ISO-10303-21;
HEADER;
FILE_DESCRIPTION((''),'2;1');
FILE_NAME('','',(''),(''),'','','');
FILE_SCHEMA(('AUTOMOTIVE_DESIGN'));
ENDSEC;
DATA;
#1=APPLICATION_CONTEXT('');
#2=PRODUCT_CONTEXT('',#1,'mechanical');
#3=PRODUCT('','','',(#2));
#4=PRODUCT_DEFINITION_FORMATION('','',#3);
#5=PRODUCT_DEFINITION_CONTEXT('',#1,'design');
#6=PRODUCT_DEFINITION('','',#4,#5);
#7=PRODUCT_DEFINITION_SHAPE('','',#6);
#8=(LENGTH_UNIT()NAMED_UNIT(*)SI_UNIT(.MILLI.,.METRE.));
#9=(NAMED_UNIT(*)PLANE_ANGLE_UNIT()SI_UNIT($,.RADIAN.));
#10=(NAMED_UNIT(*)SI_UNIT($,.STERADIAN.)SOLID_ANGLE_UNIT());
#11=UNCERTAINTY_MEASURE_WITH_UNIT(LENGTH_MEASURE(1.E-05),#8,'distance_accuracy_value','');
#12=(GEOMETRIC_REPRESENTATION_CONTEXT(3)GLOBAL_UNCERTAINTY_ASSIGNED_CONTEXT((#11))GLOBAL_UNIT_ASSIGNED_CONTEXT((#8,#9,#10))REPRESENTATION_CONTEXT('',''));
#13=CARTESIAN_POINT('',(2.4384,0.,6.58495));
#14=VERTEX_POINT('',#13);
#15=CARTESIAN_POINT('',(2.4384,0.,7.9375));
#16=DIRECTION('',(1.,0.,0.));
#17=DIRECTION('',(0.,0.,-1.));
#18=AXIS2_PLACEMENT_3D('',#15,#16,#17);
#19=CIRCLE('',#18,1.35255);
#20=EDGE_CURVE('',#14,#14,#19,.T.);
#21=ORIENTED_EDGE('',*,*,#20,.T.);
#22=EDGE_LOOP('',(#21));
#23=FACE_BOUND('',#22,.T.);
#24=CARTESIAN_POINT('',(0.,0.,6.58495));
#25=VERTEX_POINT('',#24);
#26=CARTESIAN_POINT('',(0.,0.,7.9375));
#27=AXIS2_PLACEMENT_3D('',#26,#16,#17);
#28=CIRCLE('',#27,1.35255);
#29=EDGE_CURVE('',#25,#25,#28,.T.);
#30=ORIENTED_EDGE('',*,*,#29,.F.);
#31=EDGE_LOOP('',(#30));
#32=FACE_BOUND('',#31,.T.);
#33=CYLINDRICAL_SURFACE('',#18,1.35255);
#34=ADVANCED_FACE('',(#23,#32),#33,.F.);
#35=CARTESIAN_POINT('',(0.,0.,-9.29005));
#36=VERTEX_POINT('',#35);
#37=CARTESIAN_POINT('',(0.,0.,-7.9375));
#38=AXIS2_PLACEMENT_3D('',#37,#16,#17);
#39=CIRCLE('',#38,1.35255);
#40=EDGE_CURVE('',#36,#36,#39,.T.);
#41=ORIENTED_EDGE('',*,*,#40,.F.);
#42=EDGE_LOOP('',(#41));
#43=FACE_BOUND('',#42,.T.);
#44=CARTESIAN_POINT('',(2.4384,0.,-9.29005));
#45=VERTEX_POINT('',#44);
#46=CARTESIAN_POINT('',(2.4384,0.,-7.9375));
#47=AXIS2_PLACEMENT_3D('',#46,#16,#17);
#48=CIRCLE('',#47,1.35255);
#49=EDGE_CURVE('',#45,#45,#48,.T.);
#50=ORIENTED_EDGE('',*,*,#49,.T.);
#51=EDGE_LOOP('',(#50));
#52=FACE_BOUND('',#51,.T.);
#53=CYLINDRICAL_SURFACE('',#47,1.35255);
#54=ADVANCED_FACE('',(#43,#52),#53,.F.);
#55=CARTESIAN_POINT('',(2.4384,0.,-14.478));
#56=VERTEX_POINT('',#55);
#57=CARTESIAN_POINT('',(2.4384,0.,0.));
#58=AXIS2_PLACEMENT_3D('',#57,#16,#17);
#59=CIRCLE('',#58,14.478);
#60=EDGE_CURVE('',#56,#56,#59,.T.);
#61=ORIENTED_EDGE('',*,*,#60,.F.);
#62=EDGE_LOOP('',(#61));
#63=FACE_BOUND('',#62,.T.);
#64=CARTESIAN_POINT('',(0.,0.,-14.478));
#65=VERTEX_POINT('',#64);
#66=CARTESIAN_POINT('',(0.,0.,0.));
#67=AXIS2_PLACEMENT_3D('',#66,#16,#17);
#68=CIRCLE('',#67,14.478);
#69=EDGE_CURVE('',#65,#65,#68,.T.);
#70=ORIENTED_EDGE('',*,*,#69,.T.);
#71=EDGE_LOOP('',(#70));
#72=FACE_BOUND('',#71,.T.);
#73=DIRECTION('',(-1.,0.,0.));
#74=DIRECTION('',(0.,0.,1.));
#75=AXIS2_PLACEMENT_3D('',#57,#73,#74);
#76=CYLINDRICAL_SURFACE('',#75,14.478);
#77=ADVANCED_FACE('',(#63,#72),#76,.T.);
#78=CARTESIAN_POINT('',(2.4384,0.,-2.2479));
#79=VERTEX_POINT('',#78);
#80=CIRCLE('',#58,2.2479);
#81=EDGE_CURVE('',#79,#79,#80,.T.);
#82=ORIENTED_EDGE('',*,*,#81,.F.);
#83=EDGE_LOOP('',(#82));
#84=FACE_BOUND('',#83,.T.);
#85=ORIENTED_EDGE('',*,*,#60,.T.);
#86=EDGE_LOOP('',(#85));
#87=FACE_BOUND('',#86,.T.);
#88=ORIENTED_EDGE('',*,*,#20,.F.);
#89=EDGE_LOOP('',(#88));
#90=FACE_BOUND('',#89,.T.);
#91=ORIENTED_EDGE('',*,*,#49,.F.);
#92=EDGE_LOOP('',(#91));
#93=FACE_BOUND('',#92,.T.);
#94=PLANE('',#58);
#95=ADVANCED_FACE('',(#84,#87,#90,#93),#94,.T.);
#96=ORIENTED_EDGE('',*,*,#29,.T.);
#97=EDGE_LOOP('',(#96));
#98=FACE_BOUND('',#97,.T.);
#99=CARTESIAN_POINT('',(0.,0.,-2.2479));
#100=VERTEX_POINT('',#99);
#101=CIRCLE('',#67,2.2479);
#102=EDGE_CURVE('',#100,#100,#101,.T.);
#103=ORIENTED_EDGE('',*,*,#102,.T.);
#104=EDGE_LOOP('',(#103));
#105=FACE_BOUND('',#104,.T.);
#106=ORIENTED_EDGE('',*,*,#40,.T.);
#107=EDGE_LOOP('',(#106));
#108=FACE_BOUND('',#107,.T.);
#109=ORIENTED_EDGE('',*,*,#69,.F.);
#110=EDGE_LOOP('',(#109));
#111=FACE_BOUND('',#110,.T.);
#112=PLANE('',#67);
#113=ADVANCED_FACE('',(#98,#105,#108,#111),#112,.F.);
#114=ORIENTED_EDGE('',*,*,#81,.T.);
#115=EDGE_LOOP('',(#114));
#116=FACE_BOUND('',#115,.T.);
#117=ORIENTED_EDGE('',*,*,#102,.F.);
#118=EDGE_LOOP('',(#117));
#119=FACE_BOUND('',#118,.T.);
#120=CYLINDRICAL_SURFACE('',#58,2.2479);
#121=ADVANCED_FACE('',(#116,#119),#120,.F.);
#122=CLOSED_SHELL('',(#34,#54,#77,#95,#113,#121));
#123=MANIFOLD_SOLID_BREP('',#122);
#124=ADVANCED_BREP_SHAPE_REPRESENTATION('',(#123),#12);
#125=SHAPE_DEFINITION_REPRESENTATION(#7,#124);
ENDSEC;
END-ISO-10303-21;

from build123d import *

# Parameters (mm, degrees)
SKETCH1_R                     = 14.478
BOSS_EXTRUDE1_DEPTH           = 2.4384
F_8_THREADED_ROD_CLEARANCE_D  = 4.4958
EJECTION_CHARGE_PASSTHROUGH_D = 2.7051


with BuildPart() as part:
    # Sketch1 → Boss-Extrude1 (new body)
    with BuildSketch(Plane(origin=(0, 0, 0), x_dir=(0, 0, -1), z_dir=(1, 0, 0))):
        Circle(SKETCH1_R)
    extrude(amount=BOSS_EXTRUDE1_DEPTH)

    # #8 Threaded Rod Clearance (through all)
    with Locations(Plane(origin=(2.4384, 0, 0), x_dir=(0, 0, -1), z_dir=(1, 0, 0))):
        with Locations((0, 0)):
            Hole(F_8_THREADED_ROD_CLEARANCE_D / 2)

    # Ejection Charge Passthrough (through all)
    with Locations(Plane(origin=(2.4384, 0, 0), x_dir=(0, 0, -1), z_dir=(1, 0, 0))):
        with Locations((-7.9375, 0), (7.9375, 0)):
            Hole(EJECTION_CHARGE_PASSTHROUGH_D / 2)


solid = part.part
